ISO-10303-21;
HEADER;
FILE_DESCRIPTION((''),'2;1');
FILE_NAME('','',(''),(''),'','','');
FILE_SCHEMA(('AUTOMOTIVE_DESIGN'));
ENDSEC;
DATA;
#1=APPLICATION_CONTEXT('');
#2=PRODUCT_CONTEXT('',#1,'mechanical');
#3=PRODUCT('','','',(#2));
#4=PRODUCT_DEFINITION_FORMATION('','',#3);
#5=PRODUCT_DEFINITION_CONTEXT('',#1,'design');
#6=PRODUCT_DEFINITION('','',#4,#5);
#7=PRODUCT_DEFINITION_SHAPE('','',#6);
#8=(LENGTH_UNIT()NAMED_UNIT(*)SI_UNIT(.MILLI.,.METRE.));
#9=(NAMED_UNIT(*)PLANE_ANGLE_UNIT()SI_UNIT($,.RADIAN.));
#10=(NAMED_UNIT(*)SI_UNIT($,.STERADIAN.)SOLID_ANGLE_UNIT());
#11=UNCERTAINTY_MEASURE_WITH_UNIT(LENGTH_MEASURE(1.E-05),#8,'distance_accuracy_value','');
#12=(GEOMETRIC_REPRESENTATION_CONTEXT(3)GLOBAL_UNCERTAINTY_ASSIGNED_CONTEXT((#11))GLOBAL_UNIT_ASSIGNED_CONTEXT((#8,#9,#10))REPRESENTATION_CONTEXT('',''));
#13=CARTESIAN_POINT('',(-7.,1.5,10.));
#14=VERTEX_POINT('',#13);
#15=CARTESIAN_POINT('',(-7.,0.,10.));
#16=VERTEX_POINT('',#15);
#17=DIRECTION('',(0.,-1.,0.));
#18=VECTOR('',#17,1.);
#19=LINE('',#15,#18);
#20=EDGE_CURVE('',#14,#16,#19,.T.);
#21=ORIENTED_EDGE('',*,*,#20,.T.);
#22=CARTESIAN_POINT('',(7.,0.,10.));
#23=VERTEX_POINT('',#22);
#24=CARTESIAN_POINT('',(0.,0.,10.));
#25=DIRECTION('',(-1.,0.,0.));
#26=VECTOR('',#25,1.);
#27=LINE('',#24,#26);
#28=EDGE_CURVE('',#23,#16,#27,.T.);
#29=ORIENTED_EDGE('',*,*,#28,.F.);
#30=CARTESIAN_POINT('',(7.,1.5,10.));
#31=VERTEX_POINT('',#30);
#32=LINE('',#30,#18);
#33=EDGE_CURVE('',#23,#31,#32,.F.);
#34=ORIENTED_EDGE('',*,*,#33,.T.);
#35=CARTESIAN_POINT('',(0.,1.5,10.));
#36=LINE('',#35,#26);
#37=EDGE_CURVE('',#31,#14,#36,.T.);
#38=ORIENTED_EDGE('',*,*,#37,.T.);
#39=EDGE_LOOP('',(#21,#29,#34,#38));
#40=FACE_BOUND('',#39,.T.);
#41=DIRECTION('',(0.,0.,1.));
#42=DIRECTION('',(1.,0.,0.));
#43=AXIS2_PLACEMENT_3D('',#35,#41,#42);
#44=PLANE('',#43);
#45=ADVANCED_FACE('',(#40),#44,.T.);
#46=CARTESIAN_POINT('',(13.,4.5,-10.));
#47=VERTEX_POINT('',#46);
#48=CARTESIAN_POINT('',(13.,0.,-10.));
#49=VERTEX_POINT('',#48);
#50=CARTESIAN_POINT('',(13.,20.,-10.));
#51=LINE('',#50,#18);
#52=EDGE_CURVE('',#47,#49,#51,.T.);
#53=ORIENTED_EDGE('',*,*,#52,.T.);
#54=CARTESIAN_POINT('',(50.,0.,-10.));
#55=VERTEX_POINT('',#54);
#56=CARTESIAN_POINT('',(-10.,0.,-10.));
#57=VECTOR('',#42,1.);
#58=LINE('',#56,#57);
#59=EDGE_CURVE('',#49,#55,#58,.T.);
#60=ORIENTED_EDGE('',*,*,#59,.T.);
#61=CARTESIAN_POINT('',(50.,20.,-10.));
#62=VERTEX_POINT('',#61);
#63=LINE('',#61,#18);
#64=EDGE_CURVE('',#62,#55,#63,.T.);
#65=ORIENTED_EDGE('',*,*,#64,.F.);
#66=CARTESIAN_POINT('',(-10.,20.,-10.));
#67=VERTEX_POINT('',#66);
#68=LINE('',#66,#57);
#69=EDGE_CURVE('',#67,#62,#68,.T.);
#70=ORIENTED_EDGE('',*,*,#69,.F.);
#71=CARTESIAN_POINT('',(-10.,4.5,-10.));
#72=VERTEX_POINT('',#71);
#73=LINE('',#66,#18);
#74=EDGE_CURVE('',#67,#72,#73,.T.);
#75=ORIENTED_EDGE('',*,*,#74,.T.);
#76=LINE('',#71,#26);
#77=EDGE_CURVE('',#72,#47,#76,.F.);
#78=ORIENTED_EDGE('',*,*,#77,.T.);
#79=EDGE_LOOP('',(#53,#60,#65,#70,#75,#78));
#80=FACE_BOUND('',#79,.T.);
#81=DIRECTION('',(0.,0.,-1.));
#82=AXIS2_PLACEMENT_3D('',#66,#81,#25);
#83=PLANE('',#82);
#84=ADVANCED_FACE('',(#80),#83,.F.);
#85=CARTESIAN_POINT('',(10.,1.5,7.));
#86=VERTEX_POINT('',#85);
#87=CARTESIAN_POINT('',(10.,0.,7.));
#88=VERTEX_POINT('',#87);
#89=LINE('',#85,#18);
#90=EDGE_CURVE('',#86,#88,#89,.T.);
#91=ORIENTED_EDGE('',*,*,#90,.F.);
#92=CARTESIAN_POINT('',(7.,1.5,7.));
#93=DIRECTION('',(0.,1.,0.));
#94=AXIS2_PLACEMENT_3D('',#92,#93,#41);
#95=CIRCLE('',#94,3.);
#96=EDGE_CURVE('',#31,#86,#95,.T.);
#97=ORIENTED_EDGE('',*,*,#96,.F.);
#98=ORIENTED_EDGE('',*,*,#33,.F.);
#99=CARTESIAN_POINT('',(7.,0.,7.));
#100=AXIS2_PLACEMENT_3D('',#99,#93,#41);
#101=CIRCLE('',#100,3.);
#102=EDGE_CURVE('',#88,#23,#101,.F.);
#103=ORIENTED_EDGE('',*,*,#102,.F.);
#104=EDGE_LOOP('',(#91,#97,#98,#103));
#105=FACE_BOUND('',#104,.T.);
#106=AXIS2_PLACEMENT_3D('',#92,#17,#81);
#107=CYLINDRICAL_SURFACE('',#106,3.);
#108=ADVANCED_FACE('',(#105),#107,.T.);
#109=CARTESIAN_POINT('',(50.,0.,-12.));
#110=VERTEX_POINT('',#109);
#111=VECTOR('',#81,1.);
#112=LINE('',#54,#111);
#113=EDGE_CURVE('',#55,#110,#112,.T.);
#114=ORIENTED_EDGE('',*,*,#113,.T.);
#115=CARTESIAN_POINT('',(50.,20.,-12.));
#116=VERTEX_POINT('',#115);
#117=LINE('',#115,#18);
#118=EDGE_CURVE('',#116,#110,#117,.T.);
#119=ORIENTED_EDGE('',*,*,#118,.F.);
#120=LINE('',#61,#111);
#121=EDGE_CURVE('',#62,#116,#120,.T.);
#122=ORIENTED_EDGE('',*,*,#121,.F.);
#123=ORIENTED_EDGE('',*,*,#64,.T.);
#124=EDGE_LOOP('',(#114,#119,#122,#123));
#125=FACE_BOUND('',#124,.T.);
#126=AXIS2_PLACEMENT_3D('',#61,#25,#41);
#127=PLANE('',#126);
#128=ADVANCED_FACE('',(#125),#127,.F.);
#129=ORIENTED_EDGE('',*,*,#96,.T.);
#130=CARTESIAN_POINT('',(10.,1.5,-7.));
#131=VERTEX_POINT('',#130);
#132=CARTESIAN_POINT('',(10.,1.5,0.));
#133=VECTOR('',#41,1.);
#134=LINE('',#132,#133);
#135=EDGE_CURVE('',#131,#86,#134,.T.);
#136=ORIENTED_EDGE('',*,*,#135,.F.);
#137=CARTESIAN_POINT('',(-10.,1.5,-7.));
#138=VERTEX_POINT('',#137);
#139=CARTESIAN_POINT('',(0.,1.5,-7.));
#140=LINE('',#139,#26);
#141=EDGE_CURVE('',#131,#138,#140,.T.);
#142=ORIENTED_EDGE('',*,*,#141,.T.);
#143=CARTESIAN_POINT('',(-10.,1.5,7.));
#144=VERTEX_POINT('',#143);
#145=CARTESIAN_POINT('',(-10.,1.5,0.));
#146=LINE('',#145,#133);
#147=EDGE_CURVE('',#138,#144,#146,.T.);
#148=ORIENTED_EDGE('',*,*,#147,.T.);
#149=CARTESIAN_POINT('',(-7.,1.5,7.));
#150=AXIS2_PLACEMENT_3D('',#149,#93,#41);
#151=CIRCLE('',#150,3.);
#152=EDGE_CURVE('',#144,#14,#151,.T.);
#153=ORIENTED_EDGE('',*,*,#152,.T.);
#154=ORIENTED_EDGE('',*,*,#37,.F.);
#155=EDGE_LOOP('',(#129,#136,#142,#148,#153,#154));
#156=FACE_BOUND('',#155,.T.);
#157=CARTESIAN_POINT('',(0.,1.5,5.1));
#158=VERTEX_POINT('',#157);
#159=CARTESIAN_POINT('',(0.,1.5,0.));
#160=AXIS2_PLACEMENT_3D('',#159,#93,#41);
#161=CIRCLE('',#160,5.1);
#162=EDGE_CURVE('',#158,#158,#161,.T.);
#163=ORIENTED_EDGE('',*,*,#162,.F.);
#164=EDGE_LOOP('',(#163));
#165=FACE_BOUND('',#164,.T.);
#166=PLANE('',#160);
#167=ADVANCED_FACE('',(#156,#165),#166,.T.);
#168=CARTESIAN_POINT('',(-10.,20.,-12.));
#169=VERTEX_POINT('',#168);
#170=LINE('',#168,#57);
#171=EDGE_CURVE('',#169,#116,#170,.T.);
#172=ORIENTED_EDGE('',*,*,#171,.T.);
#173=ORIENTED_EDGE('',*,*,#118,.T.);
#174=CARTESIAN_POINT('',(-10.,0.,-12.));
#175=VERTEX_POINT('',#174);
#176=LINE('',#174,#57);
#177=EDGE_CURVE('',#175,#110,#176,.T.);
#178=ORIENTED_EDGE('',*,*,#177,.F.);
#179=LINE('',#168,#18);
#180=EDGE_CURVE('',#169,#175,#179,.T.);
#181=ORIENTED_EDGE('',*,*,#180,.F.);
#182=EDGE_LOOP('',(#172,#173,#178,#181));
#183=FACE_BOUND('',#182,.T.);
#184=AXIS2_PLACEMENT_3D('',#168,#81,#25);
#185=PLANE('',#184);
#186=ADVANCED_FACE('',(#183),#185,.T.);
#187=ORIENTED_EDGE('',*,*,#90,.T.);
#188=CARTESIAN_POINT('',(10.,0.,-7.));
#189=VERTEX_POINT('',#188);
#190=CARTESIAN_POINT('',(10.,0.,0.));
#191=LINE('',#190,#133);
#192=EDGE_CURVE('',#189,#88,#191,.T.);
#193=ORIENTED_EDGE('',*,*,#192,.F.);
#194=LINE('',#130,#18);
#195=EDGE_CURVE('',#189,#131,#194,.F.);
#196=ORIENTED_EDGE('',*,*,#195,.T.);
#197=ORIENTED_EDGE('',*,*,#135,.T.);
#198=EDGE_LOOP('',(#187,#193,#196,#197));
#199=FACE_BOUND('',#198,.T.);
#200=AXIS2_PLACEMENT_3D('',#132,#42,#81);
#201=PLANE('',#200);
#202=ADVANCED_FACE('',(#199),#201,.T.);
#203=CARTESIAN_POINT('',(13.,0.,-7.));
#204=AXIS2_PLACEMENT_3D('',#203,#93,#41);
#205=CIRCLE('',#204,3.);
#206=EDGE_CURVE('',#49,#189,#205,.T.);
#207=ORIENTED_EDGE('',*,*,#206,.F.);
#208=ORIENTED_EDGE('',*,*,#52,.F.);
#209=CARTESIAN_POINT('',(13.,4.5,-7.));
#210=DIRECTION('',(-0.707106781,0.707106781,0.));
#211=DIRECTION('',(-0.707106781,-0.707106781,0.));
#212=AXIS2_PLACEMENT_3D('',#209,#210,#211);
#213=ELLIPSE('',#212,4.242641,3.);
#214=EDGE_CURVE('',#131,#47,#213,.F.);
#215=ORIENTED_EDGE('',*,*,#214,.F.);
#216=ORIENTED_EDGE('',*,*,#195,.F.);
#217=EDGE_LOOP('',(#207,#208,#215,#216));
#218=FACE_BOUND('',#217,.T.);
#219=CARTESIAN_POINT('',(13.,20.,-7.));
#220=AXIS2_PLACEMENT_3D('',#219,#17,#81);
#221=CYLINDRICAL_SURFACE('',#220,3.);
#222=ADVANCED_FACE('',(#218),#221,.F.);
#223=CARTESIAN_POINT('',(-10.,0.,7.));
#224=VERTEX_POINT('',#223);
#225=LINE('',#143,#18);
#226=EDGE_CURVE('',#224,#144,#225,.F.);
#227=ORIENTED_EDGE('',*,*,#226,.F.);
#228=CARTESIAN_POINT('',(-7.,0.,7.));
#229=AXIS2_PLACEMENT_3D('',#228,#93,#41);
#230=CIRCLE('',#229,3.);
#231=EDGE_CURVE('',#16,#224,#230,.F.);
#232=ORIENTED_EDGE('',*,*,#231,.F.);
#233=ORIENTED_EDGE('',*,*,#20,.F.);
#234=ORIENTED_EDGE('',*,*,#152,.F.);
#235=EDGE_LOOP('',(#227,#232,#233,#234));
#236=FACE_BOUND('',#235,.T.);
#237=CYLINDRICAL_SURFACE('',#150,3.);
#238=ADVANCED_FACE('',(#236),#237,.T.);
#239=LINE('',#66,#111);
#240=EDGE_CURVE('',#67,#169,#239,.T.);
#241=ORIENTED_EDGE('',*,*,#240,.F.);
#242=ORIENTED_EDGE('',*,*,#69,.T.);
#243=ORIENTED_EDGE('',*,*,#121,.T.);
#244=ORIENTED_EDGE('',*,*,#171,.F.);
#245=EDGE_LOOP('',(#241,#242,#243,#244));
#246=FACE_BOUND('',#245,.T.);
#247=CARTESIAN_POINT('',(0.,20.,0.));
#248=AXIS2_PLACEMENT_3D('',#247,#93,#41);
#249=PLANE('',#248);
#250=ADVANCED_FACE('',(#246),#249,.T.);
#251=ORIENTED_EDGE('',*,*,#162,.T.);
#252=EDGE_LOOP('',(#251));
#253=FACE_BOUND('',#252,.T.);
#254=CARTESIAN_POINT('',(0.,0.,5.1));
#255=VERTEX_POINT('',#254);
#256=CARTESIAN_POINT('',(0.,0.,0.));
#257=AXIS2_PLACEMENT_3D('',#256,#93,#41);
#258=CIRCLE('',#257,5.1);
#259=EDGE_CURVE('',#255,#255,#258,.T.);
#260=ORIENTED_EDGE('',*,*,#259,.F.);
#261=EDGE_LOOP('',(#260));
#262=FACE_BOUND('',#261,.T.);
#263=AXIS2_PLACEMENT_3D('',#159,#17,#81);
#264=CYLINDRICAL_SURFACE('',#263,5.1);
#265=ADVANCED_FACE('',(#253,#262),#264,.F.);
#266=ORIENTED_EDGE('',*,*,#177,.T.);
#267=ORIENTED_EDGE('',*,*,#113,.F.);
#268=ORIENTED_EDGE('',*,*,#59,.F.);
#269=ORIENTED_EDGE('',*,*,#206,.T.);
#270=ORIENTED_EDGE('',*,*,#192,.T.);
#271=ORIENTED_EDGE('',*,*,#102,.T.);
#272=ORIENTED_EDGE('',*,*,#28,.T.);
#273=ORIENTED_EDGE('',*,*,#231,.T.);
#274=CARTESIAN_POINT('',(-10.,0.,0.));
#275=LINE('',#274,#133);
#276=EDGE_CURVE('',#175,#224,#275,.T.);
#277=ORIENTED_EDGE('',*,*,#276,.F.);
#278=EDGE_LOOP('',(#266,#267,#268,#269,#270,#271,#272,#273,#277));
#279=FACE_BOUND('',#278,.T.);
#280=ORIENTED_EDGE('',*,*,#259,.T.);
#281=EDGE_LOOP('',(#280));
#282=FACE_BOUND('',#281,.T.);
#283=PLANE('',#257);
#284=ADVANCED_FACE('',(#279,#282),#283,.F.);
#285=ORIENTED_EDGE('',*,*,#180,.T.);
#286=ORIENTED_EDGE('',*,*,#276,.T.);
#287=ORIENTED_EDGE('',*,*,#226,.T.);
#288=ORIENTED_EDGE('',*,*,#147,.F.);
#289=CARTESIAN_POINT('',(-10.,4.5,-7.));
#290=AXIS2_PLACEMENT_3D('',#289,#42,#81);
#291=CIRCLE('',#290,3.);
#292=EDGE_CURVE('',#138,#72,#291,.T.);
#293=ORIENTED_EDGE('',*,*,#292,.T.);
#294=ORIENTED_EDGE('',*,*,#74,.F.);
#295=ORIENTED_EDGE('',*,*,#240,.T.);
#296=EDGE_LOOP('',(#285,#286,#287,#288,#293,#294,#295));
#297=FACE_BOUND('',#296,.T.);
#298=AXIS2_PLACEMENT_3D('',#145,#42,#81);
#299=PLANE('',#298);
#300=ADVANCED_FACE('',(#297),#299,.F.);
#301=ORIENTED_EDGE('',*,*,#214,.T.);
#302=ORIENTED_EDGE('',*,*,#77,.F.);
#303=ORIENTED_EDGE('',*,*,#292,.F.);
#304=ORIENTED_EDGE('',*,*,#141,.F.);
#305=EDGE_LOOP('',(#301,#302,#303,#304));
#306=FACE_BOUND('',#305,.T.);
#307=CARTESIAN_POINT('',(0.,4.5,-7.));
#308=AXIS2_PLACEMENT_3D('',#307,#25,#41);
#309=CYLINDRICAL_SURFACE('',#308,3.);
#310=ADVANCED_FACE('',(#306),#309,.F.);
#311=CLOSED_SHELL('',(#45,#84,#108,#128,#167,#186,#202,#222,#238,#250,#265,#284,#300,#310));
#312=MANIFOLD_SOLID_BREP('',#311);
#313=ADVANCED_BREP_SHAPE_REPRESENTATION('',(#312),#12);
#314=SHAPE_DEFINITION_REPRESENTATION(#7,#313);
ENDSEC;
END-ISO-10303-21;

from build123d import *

# Parameters (mm, degrees)
SKETCH1_W           = 20
SKETCH1_H           = 20
SKETCH1_R           = 5.1
BOSS_EXTRUDE2_DEPTH = 1.5
SKETCH1_4_W         = 60
SKETCH1_4_H         = 2
BOSS_EXTRUDE3_DEPTH = 20
FILLET1_R           = 3
FILLET2_R           = 3
FILLET3_R           = 3


with BuildPart() as part:
    # Sketch1 → Boss-Extrude2 (new body)
    with BuildSketch(Plane(origin=(0, 0, 0), x_dir=(1, 0, 0), z_dir=(0, 1, 0))):
        Rectangle(SKETCH1_W, SKETCH1_H)
        Circle(SKETCH1_R, mode=Mode.SUBTRACT)
    extrude(amount=BOSS_EXTRUDE2_DEPTH)

    # Sketch1<4> → Boss-Extrude3 (add)
    with BuildSketch(Plane(origin=(0, 0, 0), x_dir=(1, 0, 0), z_dir=(0, 1, 0))):
        with Locations((20, 11)):
            Rectangle(SKETCH1_4_W, SKETCH1_4_H)
    extrude(amount=BOSS_EXTRUDE3_DEPTH)

    # Fillet1
    fillet1_edges = [part.edges().sort_by_distance(p)[0] for p in [
        (0, 1.5, -10),
    ]]
    fillet(fillet1_edges, radius=FILLET1_R)

    # Fillet2
    fillet2_edges = [part.edges().sort_by_distance(p)[0] for p in [
        (10, 2.25, -10),
    ]]
    fillet(fillet2_edges, radius=FILLET2_R)

    # Fillet3
    fillet3_edges = [part.edges().sort_by_distance(p)[0] for p in [
        (10, 0.75, 10),
        (-10, 0.75, 10),
    ]]
    fillet(fillet3_edges, radius=FILLET3_R)


solid = part.part
